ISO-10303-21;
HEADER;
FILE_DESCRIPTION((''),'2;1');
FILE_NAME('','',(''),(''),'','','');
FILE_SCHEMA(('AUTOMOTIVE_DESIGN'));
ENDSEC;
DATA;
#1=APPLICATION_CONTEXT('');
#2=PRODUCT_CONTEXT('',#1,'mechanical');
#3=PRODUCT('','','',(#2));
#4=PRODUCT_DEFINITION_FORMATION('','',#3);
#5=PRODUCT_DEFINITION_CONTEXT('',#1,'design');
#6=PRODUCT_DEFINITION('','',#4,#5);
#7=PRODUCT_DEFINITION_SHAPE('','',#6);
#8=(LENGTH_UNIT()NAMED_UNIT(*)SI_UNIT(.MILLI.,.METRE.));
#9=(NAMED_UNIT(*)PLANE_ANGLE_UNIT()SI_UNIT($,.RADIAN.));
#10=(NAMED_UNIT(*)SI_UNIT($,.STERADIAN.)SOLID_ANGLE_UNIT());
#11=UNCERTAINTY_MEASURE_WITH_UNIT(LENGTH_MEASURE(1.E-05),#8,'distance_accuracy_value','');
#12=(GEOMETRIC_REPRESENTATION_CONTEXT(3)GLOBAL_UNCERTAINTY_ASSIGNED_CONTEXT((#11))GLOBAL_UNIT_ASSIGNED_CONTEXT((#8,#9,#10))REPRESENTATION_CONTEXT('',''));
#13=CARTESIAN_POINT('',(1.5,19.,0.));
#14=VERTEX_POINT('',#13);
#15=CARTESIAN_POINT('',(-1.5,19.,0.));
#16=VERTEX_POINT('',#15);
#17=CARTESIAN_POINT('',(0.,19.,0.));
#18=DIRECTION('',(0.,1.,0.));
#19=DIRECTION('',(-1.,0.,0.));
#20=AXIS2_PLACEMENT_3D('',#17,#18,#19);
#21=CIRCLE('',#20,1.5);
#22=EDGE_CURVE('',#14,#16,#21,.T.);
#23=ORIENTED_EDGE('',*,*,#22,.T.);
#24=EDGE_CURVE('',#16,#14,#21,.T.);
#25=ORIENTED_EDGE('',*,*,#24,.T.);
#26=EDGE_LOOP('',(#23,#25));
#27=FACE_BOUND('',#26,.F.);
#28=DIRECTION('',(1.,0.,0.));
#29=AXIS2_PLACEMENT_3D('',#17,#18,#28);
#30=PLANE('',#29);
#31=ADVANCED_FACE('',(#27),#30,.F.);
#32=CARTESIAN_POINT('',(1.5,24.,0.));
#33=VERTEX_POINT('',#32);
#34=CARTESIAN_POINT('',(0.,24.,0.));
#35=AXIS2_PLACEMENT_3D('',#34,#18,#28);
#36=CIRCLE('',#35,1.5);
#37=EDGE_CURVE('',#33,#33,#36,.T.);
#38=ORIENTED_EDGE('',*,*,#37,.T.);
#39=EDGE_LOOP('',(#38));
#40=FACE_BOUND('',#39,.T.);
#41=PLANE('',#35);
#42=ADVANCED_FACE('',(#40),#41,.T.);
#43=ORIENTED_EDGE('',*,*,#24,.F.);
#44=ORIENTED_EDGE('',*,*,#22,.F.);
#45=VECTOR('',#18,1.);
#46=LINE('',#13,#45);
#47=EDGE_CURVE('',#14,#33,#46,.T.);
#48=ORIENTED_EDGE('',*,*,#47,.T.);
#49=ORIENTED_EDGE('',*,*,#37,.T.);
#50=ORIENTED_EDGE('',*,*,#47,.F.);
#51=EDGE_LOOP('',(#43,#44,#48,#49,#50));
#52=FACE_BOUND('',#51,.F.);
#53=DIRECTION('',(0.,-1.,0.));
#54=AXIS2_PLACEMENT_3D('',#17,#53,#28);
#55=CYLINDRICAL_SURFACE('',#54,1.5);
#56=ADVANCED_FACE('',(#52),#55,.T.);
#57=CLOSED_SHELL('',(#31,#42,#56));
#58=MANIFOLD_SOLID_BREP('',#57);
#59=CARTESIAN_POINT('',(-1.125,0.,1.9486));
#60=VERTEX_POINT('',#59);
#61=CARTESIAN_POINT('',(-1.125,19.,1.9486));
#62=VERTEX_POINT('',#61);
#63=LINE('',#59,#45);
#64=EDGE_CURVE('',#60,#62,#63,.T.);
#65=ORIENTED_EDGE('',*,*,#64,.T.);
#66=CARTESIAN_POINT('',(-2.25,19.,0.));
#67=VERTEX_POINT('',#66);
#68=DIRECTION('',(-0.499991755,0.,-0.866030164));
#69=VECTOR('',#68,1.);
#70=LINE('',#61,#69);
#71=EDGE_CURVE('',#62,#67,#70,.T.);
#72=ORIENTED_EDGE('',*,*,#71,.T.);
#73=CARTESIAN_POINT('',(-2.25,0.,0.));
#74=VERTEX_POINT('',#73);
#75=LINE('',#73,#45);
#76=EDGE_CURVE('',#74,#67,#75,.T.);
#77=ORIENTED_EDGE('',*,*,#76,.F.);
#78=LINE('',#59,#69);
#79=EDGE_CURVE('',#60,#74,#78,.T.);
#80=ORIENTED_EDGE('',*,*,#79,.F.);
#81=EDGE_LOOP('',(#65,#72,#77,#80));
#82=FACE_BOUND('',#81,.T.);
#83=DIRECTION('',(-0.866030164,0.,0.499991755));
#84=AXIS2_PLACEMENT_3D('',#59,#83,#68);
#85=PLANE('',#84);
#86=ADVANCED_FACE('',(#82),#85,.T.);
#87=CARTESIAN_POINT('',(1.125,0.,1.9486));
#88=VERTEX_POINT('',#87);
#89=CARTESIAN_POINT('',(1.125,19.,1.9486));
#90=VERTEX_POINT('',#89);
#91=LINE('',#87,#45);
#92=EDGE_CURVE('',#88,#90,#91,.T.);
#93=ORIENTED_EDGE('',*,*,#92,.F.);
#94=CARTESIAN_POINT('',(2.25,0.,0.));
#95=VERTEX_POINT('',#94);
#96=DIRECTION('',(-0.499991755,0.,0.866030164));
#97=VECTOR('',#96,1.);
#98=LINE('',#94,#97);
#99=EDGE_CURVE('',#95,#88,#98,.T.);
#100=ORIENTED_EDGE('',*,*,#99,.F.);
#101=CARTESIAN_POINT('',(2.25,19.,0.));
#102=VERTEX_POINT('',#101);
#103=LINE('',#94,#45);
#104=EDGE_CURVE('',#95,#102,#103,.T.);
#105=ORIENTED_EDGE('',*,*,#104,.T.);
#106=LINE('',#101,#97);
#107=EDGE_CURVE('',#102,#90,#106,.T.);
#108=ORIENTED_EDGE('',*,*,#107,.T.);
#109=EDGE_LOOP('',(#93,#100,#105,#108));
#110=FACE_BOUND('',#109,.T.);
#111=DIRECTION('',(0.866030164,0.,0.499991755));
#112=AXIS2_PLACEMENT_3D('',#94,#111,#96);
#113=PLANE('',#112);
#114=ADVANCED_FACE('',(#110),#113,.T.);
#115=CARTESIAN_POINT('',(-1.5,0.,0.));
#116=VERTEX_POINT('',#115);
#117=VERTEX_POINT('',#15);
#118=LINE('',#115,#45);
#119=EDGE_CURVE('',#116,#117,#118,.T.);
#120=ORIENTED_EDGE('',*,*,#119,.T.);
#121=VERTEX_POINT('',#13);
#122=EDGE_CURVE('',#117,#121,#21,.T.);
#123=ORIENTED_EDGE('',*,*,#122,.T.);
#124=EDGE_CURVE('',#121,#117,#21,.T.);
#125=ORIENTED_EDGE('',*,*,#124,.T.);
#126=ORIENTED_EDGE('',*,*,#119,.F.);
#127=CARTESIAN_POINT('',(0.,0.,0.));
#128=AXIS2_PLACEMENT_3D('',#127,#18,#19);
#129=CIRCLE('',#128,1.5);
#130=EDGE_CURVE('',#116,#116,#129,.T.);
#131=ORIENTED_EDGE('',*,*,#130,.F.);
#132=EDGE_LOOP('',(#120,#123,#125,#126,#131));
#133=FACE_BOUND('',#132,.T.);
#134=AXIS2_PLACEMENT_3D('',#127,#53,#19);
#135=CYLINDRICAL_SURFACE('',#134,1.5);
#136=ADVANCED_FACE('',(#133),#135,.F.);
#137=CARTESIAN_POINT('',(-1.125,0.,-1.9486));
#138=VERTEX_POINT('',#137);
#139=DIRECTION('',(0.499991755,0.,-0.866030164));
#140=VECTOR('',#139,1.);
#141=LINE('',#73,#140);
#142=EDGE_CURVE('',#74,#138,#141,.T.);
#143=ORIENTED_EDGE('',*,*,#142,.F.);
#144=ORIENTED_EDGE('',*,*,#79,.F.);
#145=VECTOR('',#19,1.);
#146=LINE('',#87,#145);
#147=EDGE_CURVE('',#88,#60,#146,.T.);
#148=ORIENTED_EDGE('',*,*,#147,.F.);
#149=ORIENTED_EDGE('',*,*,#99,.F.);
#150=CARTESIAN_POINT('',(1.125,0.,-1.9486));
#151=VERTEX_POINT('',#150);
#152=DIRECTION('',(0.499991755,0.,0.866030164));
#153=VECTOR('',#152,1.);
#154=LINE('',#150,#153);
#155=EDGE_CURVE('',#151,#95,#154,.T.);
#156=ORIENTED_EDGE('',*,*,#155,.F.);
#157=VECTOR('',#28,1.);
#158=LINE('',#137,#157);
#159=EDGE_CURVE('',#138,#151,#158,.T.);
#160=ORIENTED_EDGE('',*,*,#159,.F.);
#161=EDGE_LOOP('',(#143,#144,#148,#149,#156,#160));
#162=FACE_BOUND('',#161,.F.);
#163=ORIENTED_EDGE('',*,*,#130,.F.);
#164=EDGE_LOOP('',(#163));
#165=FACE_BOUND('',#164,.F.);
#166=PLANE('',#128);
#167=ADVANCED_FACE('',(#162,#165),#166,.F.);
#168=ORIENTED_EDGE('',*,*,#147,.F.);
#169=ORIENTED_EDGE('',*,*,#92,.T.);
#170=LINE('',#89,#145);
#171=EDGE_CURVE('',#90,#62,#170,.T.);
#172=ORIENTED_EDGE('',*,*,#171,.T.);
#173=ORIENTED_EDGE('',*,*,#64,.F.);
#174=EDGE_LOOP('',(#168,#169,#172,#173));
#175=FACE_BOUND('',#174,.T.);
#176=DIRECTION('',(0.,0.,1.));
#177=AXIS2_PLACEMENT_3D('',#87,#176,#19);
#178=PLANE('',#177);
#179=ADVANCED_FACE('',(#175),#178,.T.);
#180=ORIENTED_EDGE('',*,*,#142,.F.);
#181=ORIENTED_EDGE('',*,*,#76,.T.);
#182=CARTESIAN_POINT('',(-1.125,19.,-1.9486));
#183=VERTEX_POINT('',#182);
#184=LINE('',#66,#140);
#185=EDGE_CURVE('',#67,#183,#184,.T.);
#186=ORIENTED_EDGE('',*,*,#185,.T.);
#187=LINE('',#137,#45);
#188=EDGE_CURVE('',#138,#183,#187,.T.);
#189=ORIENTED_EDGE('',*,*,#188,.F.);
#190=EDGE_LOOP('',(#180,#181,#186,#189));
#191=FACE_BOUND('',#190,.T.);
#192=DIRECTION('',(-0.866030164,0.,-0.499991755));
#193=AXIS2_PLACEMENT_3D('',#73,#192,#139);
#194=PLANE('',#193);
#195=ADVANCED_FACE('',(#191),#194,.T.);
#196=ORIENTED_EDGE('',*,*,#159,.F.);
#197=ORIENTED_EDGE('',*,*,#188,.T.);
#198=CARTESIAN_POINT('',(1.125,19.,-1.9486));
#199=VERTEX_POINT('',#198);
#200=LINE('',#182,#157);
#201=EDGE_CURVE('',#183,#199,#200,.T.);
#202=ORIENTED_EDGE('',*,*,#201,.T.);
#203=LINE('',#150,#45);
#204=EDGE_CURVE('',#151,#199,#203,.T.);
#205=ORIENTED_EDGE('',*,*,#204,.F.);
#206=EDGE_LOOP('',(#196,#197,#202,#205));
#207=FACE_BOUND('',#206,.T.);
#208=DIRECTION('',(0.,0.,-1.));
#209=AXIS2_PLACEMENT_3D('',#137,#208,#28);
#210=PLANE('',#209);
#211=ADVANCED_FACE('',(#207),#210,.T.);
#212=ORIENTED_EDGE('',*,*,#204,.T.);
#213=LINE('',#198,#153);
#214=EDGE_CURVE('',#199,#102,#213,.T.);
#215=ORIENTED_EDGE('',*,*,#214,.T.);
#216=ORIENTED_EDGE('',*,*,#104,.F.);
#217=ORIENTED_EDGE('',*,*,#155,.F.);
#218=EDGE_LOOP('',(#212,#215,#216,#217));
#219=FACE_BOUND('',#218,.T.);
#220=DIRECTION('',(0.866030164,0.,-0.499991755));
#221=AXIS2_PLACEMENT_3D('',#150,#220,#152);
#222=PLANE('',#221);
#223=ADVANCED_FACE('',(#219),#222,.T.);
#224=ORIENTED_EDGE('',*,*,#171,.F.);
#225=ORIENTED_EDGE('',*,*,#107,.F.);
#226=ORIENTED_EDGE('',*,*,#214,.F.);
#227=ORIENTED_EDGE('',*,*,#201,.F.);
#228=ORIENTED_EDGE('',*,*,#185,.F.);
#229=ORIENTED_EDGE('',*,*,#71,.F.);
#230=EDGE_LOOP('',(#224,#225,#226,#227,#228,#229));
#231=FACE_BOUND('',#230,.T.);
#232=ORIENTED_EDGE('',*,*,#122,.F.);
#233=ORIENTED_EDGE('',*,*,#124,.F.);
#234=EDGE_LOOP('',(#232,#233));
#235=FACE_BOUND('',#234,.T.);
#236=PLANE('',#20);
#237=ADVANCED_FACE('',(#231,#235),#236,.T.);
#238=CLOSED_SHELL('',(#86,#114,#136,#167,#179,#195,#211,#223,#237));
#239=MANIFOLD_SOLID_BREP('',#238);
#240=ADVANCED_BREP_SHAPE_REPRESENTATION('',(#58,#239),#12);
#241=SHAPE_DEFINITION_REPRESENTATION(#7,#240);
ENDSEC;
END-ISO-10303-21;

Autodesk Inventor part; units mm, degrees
ref_plane "YZ Plane" through (0, 0, 0) normal (1, 0, 0) x (0, 1, 0)
ref_plane "XZ Plane" through (0, 0, 0) normal (0, 1, 0) x (-1, 0, 0)
ref_plane "XY Plane" through (0, 0, 0) normal (0, 0, 1) x (1, 0, 0)
sketch "Sketch1" plane through (0, 0, 0) normal (0, 1, 0) x (-1, 0, 0)
  circle A0 centre (0, 0) radius 1.5
  circle A1 centre (0, 0) radius 2.25 construction
  line L0 (2.25, 0) -> (1.125, -1.9486)
  line L1 (1.125, -1.9486) -> (-1.125, -1.9486)
  line L2 (-1.125, -1.9486) -> (-2.25, 0)
  line L3 (-2.25, 0) -> (-1.125, 1.9486)
  line L4 (-1.125, 1.9486) -> (1.125, 1.9486)
  line L5 (1.125, 1.9486) -> (2.25, 0)
  dimension "d3" = 4.5
  dimension "d0" = 3
extrude "Extrusion1" add sketch "Sketch1" along normal blind 19
sketch "Sketch2" plane through (0, 19, 0) normal (0, 1, 0) x (1, 0, 0)
  circle A0 centre (0, 0) radius 1.5 projected
extrude "Extrusion2" add sketch "Sketch2" along normal blind 5
properties part number "19mmStandoff"
